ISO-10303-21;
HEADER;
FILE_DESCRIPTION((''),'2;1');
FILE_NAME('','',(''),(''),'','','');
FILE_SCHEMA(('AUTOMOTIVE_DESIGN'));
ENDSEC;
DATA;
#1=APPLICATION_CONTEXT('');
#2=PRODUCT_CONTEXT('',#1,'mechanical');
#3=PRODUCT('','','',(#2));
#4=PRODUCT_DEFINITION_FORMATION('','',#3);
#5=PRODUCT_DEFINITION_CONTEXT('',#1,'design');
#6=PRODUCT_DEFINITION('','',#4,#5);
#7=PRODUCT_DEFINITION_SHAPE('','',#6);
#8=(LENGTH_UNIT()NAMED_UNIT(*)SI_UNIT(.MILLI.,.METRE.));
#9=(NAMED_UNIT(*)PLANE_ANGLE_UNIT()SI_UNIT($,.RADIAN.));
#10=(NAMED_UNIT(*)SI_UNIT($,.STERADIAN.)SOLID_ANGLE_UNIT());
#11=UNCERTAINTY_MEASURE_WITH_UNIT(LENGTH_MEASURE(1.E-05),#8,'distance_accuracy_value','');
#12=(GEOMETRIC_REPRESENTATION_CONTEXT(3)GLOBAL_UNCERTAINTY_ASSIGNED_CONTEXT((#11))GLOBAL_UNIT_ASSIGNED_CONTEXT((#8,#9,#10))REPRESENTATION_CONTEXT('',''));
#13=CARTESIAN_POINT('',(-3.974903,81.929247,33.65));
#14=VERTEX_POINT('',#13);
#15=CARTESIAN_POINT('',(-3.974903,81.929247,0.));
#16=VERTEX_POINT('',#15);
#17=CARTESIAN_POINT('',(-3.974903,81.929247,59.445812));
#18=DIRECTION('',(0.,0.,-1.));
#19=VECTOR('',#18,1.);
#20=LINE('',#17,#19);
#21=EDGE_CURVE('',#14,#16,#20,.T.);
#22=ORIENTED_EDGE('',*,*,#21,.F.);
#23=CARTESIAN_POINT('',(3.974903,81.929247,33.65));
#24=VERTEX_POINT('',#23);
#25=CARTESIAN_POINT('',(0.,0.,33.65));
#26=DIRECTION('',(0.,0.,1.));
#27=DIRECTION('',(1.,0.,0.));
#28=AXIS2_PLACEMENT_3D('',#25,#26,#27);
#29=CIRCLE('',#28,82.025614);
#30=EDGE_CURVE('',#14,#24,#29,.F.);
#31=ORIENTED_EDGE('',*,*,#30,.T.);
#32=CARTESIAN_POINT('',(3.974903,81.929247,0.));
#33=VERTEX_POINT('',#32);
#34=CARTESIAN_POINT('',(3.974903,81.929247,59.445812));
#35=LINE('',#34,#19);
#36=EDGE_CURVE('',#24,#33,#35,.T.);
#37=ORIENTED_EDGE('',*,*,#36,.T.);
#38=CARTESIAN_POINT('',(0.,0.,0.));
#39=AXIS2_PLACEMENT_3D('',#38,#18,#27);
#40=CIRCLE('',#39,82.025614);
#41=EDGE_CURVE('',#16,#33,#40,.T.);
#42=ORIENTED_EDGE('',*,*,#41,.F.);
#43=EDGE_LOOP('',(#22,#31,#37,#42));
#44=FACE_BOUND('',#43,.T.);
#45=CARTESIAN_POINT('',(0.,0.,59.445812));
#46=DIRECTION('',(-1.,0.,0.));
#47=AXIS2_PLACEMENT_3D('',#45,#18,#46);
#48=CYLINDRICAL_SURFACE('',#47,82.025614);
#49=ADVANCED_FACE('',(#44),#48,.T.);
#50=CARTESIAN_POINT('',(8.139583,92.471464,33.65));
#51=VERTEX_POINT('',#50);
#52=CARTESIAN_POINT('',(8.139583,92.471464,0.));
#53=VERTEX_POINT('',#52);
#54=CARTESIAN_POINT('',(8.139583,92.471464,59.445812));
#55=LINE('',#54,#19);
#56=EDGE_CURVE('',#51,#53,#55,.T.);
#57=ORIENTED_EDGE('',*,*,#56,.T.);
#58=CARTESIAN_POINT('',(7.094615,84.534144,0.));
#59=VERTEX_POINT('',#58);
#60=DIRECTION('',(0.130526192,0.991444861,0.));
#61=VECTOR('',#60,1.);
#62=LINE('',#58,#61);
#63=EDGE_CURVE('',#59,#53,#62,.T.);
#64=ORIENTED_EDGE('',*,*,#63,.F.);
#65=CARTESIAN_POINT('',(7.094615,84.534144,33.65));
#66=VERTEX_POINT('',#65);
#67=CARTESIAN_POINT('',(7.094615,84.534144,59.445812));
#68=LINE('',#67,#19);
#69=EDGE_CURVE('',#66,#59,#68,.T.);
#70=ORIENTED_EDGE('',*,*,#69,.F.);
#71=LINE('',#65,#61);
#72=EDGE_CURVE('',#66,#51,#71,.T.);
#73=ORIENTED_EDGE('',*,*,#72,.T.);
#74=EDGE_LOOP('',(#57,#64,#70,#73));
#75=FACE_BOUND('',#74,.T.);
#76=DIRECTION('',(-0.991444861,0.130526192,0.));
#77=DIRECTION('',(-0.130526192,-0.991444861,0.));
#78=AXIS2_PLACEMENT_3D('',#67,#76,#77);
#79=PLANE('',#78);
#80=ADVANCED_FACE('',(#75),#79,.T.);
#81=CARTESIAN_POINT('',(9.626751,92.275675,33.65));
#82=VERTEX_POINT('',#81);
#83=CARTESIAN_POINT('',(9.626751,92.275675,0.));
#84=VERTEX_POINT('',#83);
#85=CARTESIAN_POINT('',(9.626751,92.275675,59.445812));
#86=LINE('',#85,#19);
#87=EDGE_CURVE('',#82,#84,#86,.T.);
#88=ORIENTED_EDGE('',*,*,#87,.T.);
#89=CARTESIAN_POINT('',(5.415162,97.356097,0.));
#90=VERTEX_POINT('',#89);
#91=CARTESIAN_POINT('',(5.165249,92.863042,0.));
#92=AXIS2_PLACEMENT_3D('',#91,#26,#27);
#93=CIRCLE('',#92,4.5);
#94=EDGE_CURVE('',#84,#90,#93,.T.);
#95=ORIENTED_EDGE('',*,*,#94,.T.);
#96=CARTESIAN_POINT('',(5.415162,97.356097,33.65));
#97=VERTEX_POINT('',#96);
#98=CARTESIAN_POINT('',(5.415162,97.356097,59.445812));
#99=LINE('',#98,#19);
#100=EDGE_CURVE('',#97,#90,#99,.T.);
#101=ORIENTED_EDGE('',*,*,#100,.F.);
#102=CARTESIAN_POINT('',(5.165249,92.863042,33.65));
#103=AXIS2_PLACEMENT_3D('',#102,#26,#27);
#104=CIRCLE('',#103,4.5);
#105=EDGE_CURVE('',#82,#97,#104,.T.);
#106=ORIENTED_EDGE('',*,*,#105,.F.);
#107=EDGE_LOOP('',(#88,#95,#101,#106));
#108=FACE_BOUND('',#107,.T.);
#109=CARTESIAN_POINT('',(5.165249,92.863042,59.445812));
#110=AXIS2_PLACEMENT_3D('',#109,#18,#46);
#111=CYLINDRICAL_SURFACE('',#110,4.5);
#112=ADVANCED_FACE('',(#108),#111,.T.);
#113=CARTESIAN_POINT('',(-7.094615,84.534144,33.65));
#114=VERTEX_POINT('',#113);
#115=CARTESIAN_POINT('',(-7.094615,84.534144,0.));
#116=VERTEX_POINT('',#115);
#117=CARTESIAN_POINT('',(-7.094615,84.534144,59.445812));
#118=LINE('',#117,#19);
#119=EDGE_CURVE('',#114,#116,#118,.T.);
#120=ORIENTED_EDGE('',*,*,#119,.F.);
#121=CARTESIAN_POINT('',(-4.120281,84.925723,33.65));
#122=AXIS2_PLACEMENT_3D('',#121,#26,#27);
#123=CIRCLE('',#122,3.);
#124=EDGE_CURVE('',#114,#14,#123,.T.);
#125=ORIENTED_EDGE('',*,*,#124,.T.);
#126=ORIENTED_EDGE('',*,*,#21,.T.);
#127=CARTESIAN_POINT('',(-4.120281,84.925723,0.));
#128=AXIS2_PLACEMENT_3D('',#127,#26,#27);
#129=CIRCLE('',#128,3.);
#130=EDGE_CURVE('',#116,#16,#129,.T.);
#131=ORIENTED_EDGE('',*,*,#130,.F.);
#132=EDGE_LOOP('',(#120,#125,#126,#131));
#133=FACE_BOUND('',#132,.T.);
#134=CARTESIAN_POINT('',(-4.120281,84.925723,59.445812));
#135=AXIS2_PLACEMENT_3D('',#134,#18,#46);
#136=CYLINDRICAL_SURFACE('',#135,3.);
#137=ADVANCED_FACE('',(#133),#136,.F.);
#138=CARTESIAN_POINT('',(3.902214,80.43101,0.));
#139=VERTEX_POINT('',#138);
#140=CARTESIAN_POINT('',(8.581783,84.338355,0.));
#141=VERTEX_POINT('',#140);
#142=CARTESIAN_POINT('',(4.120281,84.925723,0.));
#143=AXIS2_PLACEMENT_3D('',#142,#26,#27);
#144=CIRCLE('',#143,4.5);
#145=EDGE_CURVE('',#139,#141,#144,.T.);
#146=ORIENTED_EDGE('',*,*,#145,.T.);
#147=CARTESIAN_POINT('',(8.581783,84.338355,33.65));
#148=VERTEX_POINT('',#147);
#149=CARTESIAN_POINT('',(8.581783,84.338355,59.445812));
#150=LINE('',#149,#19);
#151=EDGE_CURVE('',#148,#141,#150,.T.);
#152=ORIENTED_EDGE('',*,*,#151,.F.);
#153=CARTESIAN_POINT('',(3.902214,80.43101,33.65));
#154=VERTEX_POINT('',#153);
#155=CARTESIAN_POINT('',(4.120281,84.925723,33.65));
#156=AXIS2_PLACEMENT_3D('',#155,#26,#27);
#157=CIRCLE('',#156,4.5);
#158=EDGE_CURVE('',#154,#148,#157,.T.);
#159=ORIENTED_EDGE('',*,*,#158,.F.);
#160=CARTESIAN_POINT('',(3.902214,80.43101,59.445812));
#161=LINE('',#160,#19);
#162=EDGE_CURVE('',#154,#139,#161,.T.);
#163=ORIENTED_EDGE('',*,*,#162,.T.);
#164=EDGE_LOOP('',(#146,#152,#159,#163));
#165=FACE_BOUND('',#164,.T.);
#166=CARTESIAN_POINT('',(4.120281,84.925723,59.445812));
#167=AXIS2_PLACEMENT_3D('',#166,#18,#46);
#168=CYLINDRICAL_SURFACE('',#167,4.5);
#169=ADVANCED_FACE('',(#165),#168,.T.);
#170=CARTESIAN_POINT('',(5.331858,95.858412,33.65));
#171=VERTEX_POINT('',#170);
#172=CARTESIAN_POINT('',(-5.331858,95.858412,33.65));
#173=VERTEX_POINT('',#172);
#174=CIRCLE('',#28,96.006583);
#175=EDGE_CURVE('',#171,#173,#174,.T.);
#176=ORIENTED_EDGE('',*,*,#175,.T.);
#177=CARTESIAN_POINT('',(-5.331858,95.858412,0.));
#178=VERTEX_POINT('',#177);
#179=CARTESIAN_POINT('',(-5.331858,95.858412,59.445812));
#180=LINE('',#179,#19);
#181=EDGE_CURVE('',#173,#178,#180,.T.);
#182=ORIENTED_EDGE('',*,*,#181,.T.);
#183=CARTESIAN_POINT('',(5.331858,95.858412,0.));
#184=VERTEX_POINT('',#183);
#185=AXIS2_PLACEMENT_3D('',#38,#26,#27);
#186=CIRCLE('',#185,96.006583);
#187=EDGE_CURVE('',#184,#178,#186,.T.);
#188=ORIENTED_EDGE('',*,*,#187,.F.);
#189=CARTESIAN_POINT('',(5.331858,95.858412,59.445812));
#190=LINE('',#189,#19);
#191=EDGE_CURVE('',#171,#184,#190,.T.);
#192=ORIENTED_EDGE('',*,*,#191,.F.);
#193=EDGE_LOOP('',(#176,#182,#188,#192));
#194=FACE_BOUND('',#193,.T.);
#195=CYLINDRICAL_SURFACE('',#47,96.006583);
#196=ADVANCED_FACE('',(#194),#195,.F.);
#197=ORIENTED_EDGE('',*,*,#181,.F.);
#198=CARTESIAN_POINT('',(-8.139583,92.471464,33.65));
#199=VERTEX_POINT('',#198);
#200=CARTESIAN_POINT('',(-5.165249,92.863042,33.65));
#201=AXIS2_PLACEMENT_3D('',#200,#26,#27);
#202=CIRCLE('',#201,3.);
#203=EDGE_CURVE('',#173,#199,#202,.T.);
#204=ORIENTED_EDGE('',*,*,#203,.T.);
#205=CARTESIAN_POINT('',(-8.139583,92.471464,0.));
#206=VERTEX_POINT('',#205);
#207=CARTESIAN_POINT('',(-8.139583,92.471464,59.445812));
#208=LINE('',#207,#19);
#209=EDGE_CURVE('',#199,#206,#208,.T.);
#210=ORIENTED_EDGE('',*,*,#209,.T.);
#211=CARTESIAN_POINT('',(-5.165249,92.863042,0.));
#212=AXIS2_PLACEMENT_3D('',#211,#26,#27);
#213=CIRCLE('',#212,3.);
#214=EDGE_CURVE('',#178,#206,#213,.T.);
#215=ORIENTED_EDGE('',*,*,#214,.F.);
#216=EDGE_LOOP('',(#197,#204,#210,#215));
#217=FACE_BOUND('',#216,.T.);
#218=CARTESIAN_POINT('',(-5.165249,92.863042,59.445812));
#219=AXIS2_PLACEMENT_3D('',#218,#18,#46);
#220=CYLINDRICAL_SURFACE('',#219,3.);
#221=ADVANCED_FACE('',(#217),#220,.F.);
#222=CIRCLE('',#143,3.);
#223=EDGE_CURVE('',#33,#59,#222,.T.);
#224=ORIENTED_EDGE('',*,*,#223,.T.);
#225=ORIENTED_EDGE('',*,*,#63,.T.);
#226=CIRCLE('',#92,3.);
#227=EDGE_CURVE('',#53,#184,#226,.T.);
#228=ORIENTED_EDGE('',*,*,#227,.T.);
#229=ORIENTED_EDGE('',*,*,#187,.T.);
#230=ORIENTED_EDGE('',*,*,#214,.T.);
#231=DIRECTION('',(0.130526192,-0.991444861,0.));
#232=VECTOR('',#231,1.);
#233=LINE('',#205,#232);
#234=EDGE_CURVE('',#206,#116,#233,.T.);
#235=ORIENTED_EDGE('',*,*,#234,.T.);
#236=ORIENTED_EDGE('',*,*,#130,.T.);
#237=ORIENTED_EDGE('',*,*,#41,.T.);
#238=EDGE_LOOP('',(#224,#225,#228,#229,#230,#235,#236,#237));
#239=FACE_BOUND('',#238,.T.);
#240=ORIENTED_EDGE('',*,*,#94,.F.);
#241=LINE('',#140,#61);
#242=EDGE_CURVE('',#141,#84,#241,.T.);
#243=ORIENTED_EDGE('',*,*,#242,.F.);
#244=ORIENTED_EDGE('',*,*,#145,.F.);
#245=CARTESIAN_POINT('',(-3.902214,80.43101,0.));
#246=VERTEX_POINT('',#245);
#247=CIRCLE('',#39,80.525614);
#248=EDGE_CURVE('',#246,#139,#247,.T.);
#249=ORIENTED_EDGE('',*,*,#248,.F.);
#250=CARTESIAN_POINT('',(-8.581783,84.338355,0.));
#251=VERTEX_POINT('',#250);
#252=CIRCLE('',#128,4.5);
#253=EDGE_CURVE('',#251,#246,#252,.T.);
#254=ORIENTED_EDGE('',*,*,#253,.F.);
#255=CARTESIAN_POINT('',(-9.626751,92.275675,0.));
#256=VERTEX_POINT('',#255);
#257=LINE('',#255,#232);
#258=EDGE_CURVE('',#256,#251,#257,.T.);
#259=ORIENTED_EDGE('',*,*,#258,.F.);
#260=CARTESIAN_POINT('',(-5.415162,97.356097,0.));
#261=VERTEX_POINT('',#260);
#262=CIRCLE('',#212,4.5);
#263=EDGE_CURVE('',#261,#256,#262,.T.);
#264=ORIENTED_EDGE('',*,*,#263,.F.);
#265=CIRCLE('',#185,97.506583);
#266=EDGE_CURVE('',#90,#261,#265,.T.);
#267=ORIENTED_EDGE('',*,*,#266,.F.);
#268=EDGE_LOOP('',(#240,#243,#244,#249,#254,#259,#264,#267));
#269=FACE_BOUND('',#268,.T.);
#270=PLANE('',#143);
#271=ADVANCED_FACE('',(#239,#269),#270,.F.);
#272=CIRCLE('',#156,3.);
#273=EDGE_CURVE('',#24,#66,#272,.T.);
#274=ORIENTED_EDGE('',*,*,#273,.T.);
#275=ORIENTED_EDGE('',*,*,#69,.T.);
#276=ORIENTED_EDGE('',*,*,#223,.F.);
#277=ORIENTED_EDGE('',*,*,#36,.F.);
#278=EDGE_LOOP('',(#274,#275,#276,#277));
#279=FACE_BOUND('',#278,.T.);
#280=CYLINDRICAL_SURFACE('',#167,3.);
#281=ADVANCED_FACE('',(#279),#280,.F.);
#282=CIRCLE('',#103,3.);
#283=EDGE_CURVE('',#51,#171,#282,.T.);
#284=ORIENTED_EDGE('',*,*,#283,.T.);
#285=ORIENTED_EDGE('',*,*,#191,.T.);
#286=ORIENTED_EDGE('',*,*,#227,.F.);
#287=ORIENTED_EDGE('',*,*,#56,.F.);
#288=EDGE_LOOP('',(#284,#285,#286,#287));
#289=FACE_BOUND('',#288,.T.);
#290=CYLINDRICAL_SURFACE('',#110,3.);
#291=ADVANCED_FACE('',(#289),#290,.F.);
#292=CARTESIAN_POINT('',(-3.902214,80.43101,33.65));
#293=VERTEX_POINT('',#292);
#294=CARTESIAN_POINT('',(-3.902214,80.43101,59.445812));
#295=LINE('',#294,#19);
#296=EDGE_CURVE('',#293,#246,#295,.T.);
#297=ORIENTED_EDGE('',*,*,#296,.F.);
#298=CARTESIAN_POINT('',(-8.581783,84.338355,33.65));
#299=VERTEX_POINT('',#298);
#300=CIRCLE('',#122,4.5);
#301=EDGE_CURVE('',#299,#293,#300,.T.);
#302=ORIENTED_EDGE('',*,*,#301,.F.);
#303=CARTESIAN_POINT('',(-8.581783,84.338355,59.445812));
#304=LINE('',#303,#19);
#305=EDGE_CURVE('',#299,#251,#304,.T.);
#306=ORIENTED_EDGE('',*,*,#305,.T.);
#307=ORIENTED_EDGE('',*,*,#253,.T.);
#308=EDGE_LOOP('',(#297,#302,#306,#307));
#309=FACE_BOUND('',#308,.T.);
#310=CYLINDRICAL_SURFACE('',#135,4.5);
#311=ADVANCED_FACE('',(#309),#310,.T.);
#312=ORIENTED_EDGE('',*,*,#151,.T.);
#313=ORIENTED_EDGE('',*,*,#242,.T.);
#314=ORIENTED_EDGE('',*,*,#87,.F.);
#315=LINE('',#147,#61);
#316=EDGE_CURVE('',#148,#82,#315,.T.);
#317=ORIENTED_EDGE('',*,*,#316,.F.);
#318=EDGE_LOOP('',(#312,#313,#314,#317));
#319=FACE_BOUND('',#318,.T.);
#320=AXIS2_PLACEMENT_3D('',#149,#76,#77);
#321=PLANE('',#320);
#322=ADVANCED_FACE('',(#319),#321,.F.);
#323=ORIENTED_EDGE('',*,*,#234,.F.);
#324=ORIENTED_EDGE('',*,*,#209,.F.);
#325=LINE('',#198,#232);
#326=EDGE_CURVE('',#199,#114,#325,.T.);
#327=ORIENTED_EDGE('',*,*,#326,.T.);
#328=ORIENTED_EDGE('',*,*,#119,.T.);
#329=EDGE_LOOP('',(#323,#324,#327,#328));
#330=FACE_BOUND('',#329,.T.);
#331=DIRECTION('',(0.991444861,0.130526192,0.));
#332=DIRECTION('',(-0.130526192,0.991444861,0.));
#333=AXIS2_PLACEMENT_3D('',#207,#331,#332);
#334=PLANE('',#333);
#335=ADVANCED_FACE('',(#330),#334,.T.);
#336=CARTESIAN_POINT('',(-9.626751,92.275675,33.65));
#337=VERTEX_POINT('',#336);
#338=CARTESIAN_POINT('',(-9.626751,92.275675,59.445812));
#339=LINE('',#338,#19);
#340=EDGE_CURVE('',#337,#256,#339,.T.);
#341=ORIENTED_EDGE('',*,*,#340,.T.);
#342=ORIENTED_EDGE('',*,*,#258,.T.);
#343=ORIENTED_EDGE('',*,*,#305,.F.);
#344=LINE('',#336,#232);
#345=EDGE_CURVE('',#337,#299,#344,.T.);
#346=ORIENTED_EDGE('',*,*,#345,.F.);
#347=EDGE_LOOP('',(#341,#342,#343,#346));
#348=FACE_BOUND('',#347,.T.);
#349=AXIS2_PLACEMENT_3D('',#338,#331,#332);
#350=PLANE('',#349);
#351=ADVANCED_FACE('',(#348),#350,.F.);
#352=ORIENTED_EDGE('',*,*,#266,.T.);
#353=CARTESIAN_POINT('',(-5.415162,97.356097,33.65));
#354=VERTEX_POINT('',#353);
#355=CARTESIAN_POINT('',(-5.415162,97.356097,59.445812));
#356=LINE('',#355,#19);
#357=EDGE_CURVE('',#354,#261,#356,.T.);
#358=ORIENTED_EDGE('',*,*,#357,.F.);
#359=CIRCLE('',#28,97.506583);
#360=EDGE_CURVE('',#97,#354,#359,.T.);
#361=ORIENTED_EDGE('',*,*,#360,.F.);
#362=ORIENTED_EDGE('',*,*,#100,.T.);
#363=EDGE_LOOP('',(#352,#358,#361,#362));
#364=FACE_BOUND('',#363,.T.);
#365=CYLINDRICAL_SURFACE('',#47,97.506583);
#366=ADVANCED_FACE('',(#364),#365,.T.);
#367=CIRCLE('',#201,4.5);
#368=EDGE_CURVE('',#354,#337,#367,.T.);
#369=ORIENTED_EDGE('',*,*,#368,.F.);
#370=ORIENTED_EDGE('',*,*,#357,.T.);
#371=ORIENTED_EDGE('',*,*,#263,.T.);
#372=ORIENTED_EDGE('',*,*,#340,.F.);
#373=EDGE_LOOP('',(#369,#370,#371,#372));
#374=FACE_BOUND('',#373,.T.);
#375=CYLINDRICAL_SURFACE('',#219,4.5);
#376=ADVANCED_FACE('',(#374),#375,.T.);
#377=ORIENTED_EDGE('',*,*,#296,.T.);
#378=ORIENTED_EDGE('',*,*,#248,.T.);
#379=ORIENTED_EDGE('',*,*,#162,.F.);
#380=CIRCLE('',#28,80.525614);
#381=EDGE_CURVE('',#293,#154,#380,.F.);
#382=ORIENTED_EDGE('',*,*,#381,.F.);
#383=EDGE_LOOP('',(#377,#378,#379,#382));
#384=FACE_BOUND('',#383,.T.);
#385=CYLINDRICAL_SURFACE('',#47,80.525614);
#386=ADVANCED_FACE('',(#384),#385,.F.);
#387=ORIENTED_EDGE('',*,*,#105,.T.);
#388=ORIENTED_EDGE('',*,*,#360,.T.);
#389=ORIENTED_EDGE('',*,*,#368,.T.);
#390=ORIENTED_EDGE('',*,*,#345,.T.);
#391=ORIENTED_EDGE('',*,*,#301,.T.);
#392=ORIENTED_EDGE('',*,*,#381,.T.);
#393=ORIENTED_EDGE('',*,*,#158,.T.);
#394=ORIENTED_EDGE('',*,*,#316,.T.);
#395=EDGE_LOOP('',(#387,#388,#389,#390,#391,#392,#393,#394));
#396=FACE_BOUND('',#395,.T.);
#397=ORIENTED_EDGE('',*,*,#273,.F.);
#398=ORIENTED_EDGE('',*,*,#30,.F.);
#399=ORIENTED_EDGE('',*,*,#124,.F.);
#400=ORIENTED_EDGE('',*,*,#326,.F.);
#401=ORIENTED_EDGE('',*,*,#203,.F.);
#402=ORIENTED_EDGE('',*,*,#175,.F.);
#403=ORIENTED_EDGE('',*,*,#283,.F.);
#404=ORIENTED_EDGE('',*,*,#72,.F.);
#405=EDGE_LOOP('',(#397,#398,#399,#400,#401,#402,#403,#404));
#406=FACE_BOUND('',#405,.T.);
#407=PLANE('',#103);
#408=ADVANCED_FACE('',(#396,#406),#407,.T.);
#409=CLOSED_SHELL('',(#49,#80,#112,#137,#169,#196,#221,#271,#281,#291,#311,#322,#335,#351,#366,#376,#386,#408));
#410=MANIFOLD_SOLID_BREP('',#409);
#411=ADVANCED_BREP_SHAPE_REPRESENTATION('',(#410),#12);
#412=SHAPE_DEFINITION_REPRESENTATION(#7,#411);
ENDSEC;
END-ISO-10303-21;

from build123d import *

# Parameters (mm, degrees)
BOSS_EXTRUDE1_DEPTH = 33.65


with BuildPart() as part:
    # Sketch1 → Boss-Extrude1 (new body)
    with BuildSketch(Plane.XY):
        with BuildLine():
            Line((8.581782676, 84.338354997), (9.626750626, 92.275674602))
            ThreePointArc((9.626750626, 92.275674602), (8.629643832, 95.734969819), (5.415162452, 97.356097457))
            ThreePointArc((5.415162452, 97.356097457), (0, 97.506582836), (-5.415162452, 97.356097457))
            ThreePointArc((-5.415162452, 97.356097457), (-8.629643832, 95.734969819), (-9.626750626, 92.275674602))
            Line((-9.626750626, 92.275674602), (-8.581782676, 84.338354997))
            ThreePointArc((-8.581782676, 84.338354997), (-7.004465647, 81.471525738), (-3.902214001, 80.431009648))
            ThreePointArc((-3.902214001, 80.431009648), (0, 80.525614479), (3.902214001, 80.431009648))
            ThreePointArc((3.902214001, 80.431009648), (7.004465647, 81.471525738), (8.581782676, 84.338354997))
        make_face()
        with BuildLine():
            Line((-8.139583334, 92.47146389), (-7.094615384, 84.534144285))
            ThreePointArc((-7.094615384, 84.534144285), (-6.043070698, 82.622924779), (-3.974902934, 81.929247386))
            ThreePointArc((-3.974902934, 81.929247386), (0, 82.025614479), (3.974902934, 81.929247386))
            ThreePointArc((3.974902934, 81.929247386), (6.043070698, 82.622924779), (7.094615384, 84.534144285))
            Line((7.094615384, 84.534144285), (8.139583334, 92.47146389))
            ThreePointArc((8.139583334, 92.47146389), (7.474845471, 94.777660702), (5.331857885, 95.85841246))
            ThreePointArc((5.331857885, 95.85841246), (0, 96.006582836), (-5.331857885, 95.85841246))
            ThreePointArc((-5.331857885, 95.85841246), (-7.474845471, 94.777660702), (-8.139583334, 92.47146389))
        make_face(mode=Mode.SUBTRACT)
    extrude(amount=BOSS_EXTRUDE1_DEPTH)


solid = part.part
